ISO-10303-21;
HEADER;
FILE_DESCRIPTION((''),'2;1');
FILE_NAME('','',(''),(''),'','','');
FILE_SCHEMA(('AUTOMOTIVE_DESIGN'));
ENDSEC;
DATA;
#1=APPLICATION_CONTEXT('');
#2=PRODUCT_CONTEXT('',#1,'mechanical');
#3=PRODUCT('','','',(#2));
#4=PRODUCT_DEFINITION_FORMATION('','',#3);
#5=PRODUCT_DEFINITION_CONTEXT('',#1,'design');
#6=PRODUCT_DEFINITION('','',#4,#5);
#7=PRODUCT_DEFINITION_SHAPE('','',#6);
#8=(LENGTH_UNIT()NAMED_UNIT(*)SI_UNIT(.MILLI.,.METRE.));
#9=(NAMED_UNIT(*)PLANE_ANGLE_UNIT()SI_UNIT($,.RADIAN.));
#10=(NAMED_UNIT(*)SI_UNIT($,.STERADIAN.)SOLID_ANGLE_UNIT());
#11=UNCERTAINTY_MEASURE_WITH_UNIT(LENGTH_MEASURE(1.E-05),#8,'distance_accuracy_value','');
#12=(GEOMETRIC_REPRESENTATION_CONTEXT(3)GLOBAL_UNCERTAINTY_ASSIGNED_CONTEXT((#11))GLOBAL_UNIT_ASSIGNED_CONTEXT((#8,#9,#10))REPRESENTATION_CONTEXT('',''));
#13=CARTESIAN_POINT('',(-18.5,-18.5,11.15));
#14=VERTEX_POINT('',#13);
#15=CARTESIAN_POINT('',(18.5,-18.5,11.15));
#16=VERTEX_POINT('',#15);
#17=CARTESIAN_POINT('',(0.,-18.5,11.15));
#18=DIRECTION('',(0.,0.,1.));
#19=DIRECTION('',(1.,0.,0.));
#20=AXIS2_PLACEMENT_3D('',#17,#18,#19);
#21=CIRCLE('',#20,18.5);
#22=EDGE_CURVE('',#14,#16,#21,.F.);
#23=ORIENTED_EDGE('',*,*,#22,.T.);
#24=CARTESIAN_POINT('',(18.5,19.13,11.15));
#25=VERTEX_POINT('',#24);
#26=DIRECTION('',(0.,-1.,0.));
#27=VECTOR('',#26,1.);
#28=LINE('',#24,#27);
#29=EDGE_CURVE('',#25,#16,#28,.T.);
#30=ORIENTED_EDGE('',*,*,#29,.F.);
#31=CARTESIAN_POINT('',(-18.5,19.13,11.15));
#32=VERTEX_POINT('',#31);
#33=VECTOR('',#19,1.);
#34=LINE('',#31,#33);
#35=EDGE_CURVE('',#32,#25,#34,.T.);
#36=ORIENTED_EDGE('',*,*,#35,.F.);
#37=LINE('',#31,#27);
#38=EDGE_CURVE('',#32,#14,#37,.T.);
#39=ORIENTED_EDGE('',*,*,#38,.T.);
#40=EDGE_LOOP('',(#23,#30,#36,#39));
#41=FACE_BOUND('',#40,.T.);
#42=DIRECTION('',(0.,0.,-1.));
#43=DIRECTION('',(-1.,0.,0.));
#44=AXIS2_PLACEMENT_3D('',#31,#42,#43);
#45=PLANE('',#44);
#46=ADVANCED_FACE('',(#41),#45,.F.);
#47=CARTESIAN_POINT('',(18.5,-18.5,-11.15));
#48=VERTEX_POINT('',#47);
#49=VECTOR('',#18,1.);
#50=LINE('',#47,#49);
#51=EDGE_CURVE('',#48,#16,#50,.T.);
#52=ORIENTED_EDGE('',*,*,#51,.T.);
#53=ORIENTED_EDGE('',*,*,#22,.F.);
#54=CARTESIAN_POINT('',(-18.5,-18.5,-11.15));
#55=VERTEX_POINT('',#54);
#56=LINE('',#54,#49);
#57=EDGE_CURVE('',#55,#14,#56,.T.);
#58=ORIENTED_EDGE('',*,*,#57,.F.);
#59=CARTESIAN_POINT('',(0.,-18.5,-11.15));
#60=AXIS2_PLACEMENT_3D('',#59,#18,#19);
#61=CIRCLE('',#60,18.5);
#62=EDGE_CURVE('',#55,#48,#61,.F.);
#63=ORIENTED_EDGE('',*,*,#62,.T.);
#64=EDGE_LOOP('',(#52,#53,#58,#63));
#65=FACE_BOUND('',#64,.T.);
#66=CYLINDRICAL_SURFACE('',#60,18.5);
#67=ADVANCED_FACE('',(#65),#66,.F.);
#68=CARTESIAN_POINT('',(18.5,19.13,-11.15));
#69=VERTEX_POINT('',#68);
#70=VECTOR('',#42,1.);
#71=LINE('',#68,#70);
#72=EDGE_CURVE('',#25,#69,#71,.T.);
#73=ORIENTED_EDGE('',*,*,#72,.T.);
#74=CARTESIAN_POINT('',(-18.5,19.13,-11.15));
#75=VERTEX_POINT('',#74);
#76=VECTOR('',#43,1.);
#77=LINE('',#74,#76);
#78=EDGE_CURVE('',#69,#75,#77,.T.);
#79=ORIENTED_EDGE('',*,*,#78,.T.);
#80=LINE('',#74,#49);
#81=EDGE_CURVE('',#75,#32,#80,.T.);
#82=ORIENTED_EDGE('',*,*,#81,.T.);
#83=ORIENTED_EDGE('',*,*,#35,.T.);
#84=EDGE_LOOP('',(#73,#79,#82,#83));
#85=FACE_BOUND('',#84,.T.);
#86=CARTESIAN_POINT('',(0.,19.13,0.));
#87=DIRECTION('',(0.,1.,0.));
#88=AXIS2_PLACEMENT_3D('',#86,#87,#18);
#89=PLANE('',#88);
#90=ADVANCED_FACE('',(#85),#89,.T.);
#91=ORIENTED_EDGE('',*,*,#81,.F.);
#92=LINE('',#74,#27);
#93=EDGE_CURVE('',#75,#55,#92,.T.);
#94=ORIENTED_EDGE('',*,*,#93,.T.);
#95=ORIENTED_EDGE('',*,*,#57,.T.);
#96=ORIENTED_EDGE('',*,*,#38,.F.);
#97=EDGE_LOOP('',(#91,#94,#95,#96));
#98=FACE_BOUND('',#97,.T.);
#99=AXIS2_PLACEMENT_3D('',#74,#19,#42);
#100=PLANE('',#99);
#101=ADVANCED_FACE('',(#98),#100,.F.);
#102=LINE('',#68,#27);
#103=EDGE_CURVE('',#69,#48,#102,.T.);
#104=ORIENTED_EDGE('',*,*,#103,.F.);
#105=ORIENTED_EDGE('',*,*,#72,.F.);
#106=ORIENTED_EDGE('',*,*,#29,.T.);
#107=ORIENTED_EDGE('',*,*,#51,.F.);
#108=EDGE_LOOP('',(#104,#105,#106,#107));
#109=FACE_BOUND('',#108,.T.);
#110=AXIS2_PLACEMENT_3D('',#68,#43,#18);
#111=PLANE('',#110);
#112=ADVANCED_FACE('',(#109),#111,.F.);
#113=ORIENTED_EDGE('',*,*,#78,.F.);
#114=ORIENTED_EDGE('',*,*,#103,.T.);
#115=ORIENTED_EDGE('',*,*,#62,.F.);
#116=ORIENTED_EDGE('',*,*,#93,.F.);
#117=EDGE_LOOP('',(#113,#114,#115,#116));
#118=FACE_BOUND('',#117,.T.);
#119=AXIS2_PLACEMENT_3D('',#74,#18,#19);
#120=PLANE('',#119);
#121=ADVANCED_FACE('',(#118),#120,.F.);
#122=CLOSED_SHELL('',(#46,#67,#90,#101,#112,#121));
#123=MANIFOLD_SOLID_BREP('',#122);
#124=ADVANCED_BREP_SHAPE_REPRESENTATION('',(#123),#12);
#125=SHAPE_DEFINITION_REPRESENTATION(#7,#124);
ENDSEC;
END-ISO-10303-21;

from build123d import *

# Parameters (mm, degrees)
SKETCH1_W           = 37
SKETCH1_H           = 22.3
BOSS_EXTRUDE1_DEPTH = 19.13
BOSS_EXTRUDE2_DEPTH = 22.3


with BuildPart() as part:
    # Sketch1 → Boss-Extrude1 (new body)
    with BuildSketch(Plane(origin=(0, 0, 0), x_dir=(1, 0, 0), z_dir=(0, 1, 0))):
        Rectangle(SKETCH1_W, SKETCH1_H)
    extrude(amount=BOSS_EXTRUDE1_DEPTH)

    # Sketch2 → Boss-Extrude2 (add)
    with BuildSketch(Plane.XY.offset(11.15)):
        with BuildLine():
            Line((4e-09, 0), (-18.5, 0))
            Line((-18.5, 0), (-18.5, -18.5))
            ThreePointArc((-18.5, -18.5), (-13.081475451, -5.418524547), (4e-09, 0))
        make_face()
        with BuildLine():
            Line((18.5, 0), (4e-09, 0))
            ThreePointArc((4e-09, 0), (13.081475453, -5.418524549), (18.5, -18.5))
            Line((18.5, -18.5), (18.5, 0))
        make_face()
    extrude(amount=-BOSS_EXTRUDE2_DEPTH)


solid = part.part
